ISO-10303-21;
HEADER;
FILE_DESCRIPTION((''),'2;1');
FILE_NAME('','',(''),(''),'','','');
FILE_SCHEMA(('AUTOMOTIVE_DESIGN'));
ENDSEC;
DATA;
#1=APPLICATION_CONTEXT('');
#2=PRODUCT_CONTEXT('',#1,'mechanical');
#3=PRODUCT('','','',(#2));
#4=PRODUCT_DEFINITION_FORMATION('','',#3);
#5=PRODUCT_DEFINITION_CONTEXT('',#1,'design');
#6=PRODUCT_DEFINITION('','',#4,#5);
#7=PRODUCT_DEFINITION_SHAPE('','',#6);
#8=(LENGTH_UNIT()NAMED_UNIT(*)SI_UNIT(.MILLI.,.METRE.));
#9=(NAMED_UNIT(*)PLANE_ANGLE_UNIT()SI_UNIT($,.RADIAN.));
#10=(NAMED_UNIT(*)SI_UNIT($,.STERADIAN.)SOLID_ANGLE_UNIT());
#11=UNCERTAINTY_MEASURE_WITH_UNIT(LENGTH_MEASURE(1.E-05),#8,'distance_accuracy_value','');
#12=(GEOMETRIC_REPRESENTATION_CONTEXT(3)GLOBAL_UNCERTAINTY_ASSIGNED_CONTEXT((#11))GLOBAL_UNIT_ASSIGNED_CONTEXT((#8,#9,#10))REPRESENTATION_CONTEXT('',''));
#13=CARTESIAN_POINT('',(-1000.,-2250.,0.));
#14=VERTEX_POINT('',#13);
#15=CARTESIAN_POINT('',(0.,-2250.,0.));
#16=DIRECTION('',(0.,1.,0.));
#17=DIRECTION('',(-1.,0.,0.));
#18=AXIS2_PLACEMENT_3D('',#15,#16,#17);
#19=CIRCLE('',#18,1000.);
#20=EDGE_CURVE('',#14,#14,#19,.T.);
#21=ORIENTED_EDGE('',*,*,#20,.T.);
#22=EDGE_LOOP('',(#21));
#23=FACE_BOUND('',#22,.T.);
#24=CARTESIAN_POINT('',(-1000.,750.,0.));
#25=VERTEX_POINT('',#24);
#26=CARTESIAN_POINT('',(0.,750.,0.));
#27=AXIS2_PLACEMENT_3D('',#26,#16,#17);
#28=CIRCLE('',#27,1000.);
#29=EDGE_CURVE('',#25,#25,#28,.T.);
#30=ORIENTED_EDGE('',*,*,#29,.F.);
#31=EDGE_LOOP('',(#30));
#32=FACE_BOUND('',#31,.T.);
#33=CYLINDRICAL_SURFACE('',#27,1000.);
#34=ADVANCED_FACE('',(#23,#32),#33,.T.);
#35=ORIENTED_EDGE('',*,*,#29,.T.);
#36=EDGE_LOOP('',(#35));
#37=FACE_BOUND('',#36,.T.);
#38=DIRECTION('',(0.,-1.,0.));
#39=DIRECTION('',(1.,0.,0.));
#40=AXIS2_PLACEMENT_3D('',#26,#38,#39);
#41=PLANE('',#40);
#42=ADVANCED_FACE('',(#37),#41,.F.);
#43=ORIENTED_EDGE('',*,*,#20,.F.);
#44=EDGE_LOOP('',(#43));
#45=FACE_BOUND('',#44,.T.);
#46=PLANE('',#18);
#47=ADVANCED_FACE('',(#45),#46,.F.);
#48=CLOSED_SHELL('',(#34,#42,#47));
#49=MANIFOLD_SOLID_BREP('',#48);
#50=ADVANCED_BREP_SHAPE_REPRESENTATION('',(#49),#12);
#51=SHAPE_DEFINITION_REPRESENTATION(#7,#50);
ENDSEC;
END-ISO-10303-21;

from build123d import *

# Parameters (mm, degrees)
SKETCH1_W = 1000
SKETCH1_H = 3000


with BuildPart() as part:
    # Sketch1 → Revolve1 (revolve)
    with BuildSketch(Plane.XY, mode=Mode.PRIVATE) as revolve1_sk:
        with Locations((500, -750)):
            Rectangle(SKETCH1_W, SKETCH1_H)
    revolve(revolve1_sk.sketch.rotate(Axis((0, 750, 0), (0, -1, 0)), 180), axis=Axis((0, 750, 0), (0, -1, 0)))


solid = part.part
